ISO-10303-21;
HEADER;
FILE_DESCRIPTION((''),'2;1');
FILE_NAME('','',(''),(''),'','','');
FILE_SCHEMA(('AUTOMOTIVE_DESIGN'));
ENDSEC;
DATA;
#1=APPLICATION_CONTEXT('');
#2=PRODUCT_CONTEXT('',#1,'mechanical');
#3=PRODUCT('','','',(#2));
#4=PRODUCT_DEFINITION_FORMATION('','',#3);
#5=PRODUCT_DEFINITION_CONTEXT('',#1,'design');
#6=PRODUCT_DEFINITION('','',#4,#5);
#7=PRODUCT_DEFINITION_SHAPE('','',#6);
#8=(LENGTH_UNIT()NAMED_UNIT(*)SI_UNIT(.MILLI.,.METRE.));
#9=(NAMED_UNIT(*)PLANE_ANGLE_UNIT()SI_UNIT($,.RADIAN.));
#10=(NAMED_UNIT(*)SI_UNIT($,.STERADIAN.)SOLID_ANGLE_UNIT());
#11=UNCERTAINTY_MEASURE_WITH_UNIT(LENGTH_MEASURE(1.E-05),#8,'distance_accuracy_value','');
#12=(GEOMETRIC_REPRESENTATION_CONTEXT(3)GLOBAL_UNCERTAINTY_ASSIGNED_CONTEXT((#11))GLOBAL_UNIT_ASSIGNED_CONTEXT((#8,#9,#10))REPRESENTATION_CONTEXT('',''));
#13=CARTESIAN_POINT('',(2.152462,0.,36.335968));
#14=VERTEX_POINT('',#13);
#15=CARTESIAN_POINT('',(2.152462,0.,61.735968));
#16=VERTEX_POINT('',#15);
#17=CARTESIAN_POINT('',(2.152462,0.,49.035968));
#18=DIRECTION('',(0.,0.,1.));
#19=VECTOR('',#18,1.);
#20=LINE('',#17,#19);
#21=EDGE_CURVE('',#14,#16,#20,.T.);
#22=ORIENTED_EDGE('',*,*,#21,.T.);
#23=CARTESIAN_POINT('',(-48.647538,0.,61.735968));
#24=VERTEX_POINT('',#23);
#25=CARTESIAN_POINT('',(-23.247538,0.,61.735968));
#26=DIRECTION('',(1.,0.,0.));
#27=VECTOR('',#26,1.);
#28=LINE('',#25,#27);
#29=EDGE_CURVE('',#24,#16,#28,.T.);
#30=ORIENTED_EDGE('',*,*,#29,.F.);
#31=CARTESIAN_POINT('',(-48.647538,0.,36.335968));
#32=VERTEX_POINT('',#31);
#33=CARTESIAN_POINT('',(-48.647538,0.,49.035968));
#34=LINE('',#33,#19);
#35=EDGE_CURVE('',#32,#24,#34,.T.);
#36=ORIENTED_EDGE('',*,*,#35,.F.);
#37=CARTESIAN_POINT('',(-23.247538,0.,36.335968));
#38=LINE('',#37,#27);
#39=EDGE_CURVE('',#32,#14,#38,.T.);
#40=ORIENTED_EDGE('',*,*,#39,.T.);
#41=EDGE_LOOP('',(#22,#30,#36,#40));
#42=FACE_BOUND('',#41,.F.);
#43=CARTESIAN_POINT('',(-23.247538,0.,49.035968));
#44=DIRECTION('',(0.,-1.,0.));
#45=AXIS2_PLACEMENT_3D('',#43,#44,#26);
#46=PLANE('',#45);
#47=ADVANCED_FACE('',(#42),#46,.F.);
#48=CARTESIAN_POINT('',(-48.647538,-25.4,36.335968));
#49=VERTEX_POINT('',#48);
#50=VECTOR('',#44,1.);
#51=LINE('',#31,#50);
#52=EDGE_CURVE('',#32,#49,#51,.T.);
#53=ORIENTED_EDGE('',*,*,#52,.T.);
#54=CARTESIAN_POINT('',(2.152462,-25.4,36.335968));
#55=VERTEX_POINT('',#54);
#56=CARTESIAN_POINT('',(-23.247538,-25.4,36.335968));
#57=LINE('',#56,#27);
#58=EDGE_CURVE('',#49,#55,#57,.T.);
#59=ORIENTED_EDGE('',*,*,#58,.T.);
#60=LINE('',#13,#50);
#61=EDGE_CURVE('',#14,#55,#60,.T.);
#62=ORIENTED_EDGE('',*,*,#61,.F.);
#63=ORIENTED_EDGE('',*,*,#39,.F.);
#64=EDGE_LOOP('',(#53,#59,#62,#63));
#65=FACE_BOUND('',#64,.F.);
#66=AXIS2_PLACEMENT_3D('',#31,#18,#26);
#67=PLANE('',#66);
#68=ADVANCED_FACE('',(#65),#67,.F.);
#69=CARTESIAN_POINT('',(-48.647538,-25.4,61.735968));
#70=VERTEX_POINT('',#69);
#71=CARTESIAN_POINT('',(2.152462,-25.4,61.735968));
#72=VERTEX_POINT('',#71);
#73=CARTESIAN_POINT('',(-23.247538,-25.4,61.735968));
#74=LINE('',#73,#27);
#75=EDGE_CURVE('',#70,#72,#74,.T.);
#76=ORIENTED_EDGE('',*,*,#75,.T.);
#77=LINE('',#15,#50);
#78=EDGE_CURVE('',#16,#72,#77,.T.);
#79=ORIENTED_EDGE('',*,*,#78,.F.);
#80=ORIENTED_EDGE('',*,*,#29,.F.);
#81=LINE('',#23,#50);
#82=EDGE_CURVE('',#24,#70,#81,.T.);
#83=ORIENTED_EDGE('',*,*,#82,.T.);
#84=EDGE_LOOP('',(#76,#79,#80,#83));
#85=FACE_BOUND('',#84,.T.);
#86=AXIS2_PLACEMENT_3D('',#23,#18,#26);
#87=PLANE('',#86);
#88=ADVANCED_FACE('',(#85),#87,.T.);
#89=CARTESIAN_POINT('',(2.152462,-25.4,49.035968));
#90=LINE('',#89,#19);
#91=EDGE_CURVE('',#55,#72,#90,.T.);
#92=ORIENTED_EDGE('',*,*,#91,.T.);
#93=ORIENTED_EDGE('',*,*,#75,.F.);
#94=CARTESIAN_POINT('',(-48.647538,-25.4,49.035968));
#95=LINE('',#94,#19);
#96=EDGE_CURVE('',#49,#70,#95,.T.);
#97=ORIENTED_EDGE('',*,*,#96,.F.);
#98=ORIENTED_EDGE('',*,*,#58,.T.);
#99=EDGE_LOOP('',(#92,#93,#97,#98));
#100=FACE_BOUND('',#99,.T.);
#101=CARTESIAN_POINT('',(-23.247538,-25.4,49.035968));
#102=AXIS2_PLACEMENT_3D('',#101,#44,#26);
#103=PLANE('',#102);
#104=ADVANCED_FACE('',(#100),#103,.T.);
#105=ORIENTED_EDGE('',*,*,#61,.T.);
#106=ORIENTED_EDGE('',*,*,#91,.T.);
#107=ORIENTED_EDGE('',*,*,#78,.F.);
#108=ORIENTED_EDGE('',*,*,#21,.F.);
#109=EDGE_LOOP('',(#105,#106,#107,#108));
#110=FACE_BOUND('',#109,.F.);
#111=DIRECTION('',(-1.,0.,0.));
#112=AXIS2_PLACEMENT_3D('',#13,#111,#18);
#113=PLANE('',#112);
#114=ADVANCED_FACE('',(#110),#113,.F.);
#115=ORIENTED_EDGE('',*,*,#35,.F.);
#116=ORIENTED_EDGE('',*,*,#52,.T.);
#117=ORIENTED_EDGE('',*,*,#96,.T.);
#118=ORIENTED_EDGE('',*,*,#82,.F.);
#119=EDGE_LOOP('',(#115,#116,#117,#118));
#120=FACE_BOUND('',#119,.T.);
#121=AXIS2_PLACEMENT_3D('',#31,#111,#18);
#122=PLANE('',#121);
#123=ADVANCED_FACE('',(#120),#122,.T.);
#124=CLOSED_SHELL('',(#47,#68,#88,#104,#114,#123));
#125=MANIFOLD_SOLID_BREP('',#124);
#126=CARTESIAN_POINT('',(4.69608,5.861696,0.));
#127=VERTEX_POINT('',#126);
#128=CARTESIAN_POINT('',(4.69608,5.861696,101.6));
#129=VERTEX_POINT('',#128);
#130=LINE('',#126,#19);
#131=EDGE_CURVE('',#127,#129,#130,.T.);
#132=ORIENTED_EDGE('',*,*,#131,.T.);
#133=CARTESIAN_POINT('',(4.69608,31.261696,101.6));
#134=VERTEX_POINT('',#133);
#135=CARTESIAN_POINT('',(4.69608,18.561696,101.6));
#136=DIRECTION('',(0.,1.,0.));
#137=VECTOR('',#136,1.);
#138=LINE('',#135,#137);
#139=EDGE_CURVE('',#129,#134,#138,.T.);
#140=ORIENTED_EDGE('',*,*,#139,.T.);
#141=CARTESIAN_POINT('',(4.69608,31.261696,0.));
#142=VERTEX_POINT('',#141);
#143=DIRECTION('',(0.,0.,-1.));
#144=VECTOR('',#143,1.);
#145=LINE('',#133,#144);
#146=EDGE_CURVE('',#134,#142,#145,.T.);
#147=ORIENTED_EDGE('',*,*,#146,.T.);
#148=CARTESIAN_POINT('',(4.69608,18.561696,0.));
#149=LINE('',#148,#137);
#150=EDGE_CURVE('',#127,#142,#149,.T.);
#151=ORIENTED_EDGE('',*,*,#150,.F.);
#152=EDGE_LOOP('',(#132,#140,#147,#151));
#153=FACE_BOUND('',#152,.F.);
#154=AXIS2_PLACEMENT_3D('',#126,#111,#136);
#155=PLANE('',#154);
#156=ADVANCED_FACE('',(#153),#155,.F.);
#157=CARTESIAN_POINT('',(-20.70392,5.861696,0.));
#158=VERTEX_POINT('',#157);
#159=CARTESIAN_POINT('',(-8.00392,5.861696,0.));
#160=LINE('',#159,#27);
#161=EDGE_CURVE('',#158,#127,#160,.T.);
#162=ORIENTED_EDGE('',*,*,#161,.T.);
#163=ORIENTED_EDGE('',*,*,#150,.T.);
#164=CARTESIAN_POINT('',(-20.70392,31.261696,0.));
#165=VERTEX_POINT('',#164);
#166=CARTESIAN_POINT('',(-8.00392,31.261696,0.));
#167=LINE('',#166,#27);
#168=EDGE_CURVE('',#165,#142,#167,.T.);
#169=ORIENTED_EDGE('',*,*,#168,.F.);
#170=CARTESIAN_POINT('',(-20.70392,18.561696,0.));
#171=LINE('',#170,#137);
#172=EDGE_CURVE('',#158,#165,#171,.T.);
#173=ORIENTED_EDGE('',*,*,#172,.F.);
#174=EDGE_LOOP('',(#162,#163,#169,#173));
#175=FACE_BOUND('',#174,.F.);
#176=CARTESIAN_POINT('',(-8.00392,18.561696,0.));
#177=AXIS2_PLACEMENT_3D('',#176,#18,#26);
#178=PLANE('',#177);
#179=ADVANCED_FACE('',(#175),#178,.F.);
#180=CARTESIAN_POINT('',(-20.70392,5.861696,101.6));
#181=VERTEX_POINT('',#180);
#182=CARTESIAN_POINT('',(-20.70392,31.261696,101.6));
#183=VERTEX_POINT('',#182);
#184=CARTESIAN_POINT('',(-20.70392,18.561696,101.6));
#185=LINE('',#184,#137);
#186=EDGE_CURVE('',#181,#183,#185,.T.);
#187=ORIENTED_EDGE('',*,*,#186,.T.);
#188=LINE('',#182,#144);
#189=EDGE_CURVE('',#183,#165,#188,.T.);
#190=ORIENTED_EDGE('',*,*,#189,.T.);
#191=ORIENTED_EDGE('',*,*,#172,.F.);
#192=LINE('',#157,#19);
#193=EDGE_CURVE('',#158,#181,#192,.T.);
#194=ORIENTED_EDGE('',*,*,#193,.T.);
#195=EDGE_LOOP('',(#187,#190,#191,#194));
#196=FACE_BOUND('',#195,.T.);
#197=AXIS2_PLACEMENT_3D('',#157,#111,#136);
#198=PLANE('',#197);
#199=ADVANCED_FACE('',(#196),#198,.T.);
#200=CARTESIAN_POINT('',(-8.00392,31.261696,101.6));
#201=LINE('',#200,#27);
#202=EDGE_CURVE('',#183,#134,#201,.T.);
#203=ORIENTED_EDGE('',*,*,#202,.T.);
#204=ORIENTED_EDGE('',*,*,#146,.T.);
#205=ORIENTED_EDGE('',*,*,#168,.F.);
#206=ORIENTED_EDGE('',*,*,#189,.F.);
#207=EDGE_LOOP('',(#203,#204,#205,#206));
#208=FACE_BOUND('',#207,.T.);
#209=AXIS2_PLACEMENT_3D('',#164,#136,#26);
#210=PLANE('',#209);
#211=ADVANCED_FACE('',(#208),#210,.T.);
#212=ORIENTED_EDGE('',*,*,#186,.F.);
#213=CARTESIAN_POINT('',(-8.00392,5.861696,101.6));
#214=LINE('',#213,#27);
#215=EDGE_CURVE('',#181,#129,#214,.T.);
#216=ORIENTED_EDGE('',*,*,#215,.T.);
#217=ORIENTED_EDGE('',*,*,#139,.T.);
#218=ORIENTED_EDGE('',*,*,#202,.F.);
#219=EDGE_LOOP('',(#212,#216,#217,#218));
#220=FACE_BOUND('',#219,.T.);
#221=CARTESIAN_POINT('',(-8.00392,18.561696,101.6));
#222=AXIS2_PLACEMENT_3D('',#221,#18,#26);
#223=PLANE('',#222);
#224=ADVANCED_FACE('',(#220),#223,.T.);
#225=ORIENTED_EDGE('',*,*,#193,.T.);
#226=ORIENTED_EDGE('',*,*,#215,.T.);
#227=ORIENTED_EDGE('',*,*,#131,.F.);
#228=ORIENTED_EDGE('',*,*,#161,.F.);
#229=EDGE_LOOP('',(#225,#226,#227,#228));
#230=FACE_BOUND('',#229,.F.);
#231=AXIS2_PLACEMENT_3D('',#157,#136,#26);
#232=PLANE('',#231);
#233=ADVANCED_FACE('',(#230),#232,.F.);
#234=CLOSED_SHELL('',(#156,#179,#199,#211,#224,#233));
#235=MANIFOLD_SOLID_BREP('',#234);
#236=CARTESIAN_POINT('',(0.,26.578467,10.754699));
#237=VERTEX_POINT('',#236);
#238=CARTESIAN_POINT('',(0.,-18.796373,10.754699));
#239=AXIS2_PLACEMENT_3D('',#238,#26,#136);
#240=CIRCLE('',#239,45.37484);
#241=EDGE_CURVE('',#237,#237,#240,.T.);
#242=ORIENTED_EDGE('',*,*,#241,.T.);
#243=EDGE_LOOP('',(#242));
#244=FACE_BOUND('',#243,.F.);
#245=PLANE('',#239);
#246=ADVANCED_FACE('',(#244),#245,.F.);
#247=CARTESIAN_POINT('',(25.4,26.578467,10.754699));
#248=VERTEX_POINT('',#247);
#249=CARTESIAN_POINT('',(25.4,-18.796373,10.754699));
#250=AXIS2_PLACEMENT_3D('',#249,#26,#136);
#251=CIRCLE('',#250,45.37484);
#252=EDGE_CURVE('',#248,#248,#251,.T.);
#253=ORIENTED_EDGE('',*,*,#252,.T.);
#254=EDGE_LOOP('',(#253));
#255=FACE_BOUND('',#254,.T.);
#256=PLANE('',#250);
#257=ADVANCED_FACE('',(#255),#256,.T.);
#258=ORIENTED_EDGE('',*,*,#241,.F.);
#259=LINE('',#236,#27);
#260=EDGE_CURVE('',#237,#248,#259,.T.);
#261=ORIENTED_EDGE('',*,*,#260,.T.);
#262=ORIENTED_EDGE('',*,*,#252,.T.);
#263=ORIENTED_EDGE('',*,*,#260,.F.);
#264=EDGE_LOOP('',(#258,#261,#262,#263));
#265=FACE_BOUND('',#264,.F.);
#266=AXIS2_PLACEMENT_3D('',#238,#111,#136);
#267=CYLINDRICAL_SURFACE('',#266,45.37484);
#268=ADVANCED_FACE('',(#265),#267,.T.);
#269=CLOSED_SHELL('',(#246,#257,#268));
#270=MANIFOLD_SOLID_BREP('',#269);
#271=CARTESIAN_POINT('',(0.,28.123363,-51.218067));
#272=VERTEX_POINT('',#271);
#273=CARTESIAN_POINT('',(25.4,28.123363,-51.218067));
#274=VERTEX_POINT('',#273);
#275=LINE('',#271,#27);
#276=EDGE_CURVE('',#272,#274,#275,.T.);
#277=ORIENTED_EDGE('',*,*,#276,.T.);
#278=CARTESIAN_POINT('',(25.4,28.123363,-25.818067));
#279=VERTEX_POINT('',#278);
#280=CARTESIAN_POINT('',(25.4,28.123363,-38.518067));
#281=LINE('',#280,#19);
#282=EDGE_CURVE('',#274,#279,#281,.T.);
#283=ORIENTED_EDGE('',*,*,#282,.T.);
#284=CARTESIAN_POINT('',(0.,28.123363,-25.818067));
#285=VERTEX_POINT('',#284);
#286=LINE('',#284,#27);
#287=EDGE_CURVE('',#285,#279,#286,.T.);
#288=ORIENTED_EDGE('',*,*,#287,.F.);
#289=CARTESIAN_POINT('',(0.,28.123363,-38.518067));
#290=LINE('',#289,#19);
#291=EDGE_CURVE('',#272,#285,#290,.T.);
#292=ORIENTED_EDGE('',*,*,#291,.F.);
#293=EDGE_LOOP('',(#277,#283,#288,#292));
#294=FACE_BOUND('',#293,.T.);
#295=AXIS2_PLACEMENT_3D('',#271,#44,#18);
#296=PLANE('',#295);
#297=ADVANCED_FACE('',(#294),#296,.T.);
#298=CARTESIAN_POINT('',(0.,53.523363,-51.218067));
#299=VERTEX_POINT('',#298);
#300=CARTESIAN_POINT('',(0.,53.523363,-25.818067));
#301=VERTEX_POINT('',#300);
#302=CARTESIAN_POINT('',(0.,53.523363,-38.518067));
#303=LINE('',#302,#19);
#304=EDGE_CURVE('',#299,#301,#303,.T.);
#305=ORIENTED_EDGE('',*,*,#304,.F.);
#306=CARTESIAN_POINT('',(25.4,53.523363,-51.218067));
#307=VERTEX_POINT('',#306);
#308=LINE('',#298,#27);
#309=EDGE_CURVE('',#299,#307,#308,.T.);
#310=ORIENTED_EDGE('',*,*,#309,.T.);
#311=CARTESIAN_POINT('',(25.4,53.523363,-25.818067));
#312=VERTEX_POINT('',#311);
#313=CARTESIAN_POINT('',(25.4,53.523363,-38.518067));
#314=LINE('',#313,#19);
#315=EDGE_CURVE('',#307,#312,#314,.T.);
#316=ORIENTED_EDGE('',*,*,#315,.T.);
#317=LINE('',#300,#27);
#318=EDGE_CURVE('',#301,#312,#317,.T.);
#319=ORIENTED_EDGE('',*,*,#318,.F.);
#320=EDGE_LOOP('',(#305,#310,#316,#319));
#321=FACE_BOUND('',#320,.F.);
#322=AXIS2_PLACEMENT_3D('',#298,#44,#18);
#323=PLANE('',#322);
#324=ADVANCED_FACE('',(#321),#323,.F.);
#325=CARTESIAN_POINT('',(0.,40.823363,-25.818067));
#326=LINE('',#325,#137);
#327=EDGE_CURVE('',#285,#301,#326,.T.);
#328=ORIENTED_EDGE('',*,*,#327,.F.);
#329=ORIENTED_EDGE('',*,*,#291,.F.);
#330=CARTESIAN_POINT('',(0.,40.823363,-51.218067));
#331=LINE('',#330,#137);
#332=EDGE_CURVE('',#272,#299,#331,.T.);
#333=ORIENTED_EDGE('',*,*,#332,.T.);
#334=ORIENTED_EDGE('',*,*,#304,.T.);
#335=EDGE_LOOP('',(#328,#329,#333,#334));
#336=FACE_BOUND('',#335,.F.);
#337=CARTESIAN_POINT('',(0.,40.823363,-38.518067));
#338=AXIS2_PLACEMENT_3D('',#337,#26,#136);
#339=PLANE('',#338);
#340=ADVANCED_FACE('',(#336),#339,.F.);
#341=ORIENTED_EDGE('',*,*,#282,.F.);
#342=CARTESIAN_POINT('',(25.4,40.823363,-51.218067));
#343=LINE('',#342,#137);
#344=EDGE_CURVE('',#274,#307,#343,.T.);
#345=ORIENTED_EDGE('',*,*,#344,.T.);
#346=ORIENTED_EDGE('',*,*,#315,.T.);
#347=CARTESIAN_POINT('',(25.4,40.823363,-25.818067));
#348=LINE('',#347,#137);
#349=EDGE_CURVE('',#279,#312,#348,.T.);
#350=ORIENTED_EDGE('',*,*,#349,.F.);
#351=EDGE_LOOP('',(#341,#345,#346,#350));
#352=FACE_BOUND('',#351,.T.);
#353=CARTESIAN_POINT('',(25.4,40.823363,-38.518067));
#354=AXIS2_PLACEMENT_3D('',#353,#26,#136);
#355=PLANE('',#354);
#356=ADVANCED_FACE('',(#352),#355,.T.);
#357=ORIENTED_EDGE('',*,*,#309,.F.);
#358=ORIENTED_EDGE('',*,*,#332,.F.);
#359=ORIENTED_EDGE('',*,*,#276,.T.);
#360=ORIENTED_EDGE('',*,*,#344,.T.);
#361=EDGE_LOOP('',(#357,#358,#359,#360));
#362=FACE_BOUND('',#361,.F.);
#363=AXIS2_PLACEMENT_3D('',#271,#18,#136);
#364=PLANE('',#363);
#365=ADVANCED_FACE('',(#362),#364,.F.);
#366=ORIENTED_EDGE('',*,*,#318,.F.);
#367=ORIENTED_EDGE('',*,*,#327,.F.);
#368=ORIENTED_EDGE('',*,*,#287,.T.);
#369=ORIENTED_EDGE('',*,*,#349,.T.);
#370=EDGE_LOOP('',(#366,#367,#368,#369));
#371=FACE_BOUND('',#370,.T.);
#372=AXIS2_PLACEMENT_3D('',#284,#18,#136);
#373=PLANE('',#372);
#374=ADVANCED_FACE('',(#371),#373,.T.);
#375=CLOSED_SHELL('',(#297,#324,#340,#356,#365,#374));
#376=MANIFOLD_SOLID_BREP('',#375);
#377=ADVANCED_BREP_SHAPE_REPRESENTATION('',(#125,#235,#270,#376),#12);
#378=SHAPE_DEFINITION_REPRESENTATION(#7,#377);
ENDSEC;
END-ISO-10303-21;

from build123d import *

# Parameters (mm, degrees)
F0_W     = 50.8
F0_H     = 25.4
F1_DEPTH = 25.4
F2_W     = 25.4
F2_H     = 25.4
F3_DEPTH = 101.6
F4_W     = 25.4
F4_H     = 25.4
F5_DEPTH = 25.4
F6_DEPTH = 25.4
F7_R     = 45.37484
F8_DEPTH = 25.4


with BuildPart() as f1:
    # F0 (on Front) → F1 (new body)
    with BuildSketch(Plane.XZ):
        with Locations((-23.247538, 49.035968)):
            Rectangle(F0_W, F0_H)
    extrude(amount=F1_DEPTH)


with BuildPart() as f3:
    # F2 (on Top) → F3 (new body)
    with BuildSketch(Plane.XY):
        with Locations((-8.00392, 18.561696)):
            Rectangle(F2_W, F2_H)
    extrude(amount=F3_DEPTH)

    # F2 (on Top) → F6 (join)
    with BuildSketch(Plane.XY):
        with Locations((-8.00392, 18.561696)):
            Rectangle(F2_W, F2_H)
    extrude(amount=F6_DEPTH)


with BuildPart() as f5:
    # F4 (on Right) → F5 (new body)
    with BuildSketch(Plane.YZ):
        with Locations((40.823363, -38.518067)):
            Rectangle(F4_W, F4_H)
    extrude(amount=F5_DEPTH)


with BuildPart() as f8:
    # F7 (on Right) → F8 (new body)
    with BuildSketch(Plane.YZ):
        with Locations((-18.796373, 10.754699)):
            Circle(F7_R)
    extrude(amount=F8_DEPTH)


solid = Compound([f1.part, f3.part, f5.part, f8.part])
